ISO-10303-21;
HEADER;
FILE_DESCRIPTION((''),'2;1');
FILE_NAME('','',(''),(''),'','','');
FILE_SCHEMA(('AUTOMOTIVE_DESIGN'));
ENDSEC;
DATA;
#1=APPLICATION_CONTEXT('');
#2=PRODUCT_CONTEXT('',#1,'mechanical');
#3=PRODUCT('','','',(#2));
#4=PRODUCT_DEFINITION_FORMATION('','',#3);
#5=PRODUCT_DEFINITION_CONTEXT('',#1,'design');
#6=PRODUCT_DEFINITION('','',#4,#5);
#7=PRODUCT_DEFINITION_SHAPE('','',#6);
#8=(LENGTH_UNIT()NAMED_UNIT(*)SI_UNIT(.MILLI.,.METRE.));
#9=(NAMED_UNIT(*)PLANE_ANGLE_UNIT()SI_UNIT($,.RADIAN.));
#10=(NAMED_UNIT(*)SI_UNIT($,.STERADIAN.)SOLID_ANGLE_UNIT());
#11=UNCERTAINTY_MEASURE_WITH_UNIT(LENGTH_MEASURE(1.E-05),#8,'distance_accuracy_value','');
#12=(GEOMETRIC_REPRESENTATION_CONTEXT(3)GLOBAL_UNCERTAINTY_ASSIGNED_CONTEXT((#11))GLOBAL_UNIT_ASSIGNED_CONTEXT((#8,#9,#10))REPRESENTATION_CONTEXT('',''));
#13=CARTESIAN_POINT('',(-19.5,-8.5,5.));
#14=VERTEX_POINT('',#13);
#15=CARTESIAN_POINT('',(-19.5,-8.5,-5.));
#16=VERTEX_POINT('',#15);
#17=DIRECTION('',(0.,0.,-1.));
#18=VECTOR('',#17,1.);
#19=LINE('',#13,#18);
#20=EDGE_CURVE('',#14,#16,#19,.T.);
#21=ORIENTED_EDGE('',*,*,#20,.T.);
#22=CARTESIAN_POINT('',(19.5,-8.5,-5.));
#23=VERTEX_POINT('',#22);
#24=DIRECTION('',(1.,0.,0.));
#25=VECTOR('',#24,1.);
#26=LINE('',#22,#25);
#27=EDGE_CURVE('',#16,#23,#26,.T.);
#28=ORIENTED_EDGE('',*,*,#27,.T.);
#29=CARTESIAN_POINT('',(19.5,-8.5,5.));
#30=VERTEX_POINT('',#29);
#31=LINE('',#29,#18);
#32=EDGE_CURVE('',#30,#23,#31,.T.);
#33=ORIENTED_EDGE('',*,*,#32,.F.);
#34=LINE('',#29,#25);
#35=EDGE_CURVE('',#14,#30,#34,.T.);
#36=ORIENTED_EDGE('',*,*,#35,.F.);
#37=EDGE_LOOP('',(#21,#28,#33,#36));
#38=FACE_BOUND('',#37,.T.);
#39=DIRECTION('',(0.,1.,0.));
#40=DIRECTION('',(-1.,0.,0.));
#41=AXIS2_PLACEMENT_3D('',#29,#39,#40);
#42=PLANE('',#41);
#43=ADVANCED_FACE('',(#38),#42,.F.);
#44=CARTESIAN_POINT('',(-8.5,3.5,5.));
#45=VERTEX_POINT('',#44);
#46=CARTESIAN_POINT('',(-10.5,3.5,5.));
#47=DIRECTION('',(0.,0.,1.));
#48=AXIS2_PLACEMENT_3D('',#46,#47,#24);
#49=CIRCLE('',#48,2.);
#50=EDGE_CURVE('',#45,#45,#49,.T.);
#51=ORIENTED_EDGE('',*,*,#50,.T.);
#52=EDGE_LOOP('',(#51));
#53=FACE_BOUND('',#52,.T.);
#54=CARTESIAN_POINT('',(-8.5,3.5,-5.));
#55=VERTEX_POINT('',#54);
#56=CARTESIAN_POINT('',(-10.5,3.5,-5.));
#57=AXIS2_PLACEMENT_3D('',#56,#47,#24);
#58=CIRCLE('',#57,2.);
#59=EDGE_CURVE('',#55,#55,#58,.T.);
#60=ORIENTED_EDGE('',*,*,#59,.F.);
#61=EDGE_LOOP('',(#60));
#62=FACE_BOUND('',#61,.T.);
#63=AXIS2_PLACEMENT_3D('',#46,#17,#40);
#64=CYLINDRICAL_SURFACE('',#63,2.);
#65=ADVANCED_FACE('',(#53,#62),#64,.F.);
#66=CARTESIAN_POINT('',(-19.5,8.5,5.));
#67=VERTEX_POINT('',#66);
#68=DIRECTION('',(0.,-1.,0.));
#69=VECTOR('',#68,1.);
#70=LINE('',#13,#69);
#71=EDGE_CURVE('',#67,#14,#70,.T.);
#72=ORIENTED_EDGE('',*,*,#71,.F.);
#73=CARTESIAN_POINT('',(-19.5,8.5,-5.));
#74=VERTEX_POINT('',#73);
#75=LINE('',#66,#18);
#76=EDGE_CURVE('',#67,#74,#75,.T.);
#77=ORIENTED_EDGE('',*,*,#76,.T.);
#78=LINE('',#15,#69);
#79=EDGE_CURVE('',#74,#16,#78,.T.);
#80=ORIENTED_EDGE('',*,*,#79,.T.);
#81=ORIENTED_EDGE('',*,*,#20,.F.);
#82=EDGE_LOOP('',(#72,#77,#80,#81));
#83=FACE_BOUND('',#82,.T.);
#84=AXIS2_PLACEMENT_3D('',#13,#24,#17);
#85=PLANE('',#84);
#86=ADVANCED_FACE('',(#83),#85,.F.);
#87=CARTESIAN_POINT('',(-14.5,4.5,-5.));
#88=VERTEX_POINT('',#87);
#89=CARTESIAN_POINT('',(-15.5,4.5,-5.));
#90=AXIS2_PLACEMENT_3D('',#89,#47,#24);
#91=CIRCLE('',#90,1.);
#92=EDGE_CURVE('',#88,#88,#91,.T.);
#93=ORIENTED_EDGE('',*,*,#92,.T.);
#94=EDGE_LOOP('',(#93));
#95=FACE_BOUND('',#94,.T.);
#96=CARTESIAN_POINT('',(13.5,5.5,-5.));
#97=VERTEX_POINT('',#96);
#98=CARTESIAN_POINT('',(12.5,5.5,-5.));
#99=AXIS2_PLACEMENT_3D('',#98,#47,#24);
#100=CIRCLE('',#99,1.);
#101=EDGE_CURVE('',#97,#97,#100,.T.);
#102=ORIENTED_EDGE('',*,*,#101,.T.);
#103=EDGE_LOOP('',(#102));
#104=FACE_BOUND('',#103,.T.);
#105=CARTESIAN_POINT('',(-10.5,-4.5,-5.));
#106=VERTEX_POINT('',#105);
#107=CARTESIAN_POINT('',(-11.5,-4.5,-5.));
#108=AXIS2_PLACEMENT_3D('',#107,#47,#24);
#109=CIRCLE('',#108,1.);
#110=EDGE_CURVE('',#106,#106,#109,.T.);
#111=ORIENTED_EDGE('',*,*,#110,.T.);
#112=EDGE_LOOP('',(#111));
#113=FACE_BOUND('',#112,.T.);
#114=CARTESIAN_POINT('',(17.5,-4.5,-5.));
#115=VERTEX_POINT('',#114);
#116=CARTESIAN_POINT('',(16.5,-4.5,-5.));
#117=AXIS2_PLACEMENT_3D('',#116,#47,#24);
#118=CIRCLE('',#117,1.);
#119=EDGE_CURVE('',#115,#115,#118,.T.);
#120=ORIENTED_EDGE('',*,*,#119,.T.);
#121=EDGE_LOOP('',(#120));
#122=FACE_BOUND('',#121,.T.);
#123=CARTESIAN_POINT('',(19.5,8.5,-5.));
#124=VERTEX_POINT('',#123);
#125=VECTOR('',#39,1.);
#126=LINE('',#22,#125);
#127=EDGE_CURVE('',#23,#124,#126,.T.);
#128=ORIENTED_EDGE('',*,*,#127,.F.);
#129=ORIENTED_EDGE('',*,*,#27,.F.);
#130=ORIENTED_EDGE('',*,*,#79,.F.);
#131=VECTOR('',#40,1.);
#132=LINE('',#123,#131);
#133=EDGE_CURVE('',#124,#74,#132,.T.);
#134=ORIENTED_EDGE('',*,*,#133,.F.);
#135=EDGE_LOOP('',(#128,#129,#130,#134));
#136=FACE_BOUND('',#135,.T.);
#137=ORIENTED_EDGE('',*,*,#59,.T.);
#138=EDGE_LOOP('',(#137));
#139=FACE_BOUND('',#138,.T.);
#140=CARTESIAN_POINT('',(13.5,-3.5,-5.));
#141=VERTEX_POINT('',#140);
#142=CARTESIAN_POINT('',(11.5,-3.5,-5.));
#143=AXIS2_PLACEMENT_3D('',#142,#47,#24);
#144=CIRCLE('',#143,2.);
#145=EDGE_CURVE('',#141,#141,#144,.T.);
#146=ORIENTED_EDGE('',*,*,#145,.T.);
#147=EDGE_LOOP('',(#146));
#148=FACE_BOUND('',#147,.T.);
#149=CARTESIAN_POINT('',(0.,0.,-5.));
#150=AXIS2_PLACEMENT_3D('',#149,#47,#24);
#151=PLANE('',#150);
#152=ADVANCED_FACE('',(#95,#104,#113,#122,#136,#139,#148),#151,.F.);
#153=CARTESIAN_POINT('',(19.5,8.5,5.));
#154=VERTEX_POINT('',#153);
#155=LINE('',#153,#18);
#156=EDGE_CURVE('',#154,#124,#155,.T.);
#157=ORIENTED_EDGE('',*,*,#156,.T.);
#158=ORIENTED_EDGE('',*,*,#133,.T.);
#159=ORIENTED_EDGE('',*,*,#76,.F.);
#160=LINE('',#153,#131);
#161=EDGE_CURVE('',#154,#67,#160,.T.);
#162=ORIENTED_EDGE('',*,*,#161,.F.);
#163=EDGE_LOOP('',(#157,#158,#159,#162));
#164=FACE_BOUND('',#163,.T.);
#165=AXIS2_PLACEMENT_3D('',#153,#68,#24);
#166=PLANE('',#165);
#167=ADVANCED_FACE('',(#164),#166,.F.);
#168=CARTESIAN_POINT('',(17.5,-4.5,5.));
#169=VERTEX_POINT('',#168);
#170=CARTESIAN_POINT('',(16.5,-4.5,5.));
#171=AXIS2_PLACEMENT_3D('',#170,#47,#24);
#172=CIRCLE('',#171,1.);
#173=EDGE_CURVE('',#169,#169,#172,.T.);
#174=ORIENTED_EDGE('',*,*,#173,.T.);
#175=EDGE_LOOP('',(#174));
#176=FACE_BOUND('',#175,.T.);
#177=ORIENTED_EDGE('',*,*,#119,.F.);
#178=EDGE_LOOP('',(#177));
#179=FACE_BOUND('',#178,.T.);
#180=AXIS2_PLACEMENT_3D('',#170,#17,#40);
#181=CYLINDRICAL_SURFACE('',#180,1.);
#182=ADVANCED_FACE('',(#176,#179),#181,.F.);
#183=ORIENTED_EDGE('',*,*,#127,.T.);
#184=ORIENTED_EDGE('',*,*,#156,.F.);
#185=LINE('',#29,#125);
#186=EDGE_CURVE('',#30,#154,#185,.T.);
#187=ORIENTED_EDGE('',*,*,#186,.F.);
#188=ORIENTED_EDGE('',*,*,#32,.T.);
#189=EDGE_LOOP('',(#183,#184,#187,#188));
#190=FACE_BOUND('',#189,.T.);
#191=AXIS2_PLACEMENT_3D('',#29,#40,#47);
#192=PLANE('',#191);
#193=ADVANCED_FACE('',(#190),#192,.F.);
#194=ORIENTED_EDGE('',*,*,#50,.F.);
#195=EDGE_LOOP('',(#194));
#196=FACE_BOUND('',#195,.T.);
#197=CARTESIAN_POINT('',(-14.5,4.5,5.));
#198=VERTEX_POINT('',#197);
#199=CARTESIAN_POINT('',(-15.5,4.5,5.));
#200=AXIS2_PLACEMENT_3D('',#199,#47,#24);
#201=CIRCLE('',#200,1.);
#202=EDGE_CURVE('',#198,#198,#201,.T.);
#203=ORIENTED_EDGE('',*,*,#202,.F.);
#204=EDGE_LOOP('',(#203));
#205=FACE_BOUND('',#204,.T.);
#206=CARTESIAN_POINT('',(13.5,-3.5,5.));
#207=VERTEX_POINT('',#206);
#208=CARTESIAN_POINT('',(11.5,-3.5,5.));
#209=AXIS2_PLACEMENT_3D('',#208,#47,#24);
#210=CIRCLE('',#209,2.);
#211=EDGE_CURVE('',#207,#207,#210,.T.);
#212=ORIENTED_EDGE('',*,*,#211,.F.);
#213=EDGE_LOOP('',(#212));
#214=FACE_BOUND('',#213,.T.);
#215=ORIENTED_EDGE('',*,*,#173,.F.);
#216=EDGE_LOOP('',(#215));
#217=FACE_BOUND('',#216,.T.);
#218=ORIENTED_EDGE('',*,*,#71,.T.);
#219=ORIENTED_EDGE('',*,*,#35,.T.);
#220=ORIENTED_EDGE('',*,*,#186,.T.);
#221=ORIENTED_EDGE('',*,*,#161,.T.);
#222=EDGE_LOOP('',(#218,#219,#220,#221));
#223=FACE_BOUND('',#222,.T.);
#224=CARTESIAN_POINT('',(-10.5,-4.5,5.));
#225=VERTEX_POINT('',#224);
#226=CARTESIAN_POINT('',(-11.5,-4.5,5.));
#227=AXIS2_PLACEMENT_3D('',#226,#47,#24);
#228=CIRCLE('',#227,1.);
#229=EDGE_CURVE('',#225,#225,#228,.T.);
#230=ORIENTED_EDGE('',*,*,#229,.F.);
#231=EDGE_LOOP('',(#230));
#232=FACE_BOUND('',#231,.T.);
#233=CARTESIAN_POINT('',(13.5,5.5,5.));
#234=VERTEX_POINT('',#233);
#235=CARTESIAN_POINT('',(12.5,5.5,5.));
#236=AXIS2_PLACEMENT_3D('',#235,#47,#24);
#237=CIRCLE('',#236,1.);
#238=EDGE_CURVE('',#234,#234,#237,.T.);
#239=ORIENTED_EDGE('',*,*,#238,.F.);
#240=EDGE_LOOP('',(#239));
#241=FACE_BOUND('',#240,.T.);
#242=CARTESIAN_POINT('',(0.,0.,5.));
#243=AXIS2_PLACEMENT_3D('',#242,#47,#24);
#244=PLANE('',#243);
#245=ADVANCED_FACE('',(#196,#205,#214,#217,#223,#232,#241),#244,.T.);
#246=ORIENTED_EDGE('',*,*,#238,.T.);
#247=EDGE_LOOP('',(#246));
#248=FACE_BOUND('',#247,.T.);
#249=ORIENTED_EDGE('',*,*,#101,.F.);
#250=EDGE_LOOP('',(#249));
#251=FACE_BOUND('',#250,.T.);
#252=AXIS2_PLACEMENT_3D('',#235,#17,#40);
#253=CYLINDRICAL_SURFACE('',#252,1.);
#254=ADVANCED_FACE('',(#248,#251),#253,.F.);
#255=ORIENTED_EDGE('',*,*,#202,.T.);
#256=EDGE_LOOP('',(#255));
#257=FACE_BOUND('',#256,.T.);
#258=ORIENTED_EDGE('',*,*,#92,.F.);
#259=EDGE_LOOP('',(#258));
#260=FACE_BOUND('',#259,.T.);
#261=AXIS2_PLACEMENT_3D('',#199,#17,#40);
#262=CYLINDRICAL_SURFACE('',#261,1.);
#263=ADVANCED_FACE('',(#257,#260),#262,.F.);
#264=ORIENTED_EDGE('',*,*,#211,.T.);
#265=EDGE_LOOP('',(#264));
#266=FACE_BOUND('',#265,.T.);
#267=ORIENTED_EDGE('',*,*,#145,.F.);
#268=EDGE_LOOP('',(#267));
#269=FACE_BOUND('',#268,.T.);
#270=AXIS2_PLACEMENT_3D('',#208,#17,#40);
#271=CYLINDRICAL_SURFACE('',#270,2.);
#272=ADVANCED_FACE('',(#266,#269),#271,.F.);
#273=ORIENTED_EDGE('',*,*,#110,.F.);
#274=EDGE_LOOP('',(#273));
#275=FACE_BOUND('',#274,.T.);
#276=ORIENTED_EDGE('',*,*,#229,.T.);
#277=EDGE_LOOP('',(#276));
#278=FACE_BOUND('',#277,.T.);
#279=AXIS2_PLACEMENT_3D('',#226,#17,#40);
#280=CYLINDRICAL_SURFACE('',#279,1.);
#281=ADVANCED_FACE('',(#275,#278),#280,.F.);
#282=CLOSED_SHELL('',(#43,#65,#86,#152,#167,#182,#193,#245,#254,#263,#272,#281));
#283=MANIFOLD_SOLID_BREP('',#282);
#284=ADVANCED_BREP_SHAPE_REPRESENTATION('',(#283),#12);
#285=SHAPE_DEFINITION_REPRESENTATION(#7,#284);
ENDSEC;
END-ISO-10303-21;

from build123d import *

# Parameters (mm, degrees)
SKETCH1_W           = 39
SKETCH1_H           = 17
SKETCH1_R           = 2
SKETCH1_R_2         = 1
BOSS_EXTRUDE1_DEPTH = 5


with BuildPart() as part:
    # Sketch1 → Boss-Extrude1 (new, symmetric)
    with BuildSketch(Plane.XY):
        Rectangle(SKETCH1_W, SKETCH1_H)
        with Locations((-10.5, 3.5)):
            Circle(SKETCH1_R, mode=Mode.SUBTRACT)
        with Locations((-15.5, 4.5)):
            Circle(SKETCH1_R_2, mode=Mode.SUBTRACT)
        with Locations((-11.5, -4.5)):
            Circle(SKETCH1_R_2, mode=Mode.SUBTRACT)
        with Locations((11.5, -3.5)):
            Circle(SKETCH1_R, mode=Mode.SUBTRACT)
        with Locations((12.5, 5.5)):
            Circle(SKETCH1_R_2, mode=Mode.SUBTRACT)
        with Locations((16.5, -4.5)):
            Circle(SKETCH1_R_2, mode=Mode.SUBTRACT)
    extrude(amount=BOSS_EXTRUDE1_DEPTH, both=True)


solid = part.part
